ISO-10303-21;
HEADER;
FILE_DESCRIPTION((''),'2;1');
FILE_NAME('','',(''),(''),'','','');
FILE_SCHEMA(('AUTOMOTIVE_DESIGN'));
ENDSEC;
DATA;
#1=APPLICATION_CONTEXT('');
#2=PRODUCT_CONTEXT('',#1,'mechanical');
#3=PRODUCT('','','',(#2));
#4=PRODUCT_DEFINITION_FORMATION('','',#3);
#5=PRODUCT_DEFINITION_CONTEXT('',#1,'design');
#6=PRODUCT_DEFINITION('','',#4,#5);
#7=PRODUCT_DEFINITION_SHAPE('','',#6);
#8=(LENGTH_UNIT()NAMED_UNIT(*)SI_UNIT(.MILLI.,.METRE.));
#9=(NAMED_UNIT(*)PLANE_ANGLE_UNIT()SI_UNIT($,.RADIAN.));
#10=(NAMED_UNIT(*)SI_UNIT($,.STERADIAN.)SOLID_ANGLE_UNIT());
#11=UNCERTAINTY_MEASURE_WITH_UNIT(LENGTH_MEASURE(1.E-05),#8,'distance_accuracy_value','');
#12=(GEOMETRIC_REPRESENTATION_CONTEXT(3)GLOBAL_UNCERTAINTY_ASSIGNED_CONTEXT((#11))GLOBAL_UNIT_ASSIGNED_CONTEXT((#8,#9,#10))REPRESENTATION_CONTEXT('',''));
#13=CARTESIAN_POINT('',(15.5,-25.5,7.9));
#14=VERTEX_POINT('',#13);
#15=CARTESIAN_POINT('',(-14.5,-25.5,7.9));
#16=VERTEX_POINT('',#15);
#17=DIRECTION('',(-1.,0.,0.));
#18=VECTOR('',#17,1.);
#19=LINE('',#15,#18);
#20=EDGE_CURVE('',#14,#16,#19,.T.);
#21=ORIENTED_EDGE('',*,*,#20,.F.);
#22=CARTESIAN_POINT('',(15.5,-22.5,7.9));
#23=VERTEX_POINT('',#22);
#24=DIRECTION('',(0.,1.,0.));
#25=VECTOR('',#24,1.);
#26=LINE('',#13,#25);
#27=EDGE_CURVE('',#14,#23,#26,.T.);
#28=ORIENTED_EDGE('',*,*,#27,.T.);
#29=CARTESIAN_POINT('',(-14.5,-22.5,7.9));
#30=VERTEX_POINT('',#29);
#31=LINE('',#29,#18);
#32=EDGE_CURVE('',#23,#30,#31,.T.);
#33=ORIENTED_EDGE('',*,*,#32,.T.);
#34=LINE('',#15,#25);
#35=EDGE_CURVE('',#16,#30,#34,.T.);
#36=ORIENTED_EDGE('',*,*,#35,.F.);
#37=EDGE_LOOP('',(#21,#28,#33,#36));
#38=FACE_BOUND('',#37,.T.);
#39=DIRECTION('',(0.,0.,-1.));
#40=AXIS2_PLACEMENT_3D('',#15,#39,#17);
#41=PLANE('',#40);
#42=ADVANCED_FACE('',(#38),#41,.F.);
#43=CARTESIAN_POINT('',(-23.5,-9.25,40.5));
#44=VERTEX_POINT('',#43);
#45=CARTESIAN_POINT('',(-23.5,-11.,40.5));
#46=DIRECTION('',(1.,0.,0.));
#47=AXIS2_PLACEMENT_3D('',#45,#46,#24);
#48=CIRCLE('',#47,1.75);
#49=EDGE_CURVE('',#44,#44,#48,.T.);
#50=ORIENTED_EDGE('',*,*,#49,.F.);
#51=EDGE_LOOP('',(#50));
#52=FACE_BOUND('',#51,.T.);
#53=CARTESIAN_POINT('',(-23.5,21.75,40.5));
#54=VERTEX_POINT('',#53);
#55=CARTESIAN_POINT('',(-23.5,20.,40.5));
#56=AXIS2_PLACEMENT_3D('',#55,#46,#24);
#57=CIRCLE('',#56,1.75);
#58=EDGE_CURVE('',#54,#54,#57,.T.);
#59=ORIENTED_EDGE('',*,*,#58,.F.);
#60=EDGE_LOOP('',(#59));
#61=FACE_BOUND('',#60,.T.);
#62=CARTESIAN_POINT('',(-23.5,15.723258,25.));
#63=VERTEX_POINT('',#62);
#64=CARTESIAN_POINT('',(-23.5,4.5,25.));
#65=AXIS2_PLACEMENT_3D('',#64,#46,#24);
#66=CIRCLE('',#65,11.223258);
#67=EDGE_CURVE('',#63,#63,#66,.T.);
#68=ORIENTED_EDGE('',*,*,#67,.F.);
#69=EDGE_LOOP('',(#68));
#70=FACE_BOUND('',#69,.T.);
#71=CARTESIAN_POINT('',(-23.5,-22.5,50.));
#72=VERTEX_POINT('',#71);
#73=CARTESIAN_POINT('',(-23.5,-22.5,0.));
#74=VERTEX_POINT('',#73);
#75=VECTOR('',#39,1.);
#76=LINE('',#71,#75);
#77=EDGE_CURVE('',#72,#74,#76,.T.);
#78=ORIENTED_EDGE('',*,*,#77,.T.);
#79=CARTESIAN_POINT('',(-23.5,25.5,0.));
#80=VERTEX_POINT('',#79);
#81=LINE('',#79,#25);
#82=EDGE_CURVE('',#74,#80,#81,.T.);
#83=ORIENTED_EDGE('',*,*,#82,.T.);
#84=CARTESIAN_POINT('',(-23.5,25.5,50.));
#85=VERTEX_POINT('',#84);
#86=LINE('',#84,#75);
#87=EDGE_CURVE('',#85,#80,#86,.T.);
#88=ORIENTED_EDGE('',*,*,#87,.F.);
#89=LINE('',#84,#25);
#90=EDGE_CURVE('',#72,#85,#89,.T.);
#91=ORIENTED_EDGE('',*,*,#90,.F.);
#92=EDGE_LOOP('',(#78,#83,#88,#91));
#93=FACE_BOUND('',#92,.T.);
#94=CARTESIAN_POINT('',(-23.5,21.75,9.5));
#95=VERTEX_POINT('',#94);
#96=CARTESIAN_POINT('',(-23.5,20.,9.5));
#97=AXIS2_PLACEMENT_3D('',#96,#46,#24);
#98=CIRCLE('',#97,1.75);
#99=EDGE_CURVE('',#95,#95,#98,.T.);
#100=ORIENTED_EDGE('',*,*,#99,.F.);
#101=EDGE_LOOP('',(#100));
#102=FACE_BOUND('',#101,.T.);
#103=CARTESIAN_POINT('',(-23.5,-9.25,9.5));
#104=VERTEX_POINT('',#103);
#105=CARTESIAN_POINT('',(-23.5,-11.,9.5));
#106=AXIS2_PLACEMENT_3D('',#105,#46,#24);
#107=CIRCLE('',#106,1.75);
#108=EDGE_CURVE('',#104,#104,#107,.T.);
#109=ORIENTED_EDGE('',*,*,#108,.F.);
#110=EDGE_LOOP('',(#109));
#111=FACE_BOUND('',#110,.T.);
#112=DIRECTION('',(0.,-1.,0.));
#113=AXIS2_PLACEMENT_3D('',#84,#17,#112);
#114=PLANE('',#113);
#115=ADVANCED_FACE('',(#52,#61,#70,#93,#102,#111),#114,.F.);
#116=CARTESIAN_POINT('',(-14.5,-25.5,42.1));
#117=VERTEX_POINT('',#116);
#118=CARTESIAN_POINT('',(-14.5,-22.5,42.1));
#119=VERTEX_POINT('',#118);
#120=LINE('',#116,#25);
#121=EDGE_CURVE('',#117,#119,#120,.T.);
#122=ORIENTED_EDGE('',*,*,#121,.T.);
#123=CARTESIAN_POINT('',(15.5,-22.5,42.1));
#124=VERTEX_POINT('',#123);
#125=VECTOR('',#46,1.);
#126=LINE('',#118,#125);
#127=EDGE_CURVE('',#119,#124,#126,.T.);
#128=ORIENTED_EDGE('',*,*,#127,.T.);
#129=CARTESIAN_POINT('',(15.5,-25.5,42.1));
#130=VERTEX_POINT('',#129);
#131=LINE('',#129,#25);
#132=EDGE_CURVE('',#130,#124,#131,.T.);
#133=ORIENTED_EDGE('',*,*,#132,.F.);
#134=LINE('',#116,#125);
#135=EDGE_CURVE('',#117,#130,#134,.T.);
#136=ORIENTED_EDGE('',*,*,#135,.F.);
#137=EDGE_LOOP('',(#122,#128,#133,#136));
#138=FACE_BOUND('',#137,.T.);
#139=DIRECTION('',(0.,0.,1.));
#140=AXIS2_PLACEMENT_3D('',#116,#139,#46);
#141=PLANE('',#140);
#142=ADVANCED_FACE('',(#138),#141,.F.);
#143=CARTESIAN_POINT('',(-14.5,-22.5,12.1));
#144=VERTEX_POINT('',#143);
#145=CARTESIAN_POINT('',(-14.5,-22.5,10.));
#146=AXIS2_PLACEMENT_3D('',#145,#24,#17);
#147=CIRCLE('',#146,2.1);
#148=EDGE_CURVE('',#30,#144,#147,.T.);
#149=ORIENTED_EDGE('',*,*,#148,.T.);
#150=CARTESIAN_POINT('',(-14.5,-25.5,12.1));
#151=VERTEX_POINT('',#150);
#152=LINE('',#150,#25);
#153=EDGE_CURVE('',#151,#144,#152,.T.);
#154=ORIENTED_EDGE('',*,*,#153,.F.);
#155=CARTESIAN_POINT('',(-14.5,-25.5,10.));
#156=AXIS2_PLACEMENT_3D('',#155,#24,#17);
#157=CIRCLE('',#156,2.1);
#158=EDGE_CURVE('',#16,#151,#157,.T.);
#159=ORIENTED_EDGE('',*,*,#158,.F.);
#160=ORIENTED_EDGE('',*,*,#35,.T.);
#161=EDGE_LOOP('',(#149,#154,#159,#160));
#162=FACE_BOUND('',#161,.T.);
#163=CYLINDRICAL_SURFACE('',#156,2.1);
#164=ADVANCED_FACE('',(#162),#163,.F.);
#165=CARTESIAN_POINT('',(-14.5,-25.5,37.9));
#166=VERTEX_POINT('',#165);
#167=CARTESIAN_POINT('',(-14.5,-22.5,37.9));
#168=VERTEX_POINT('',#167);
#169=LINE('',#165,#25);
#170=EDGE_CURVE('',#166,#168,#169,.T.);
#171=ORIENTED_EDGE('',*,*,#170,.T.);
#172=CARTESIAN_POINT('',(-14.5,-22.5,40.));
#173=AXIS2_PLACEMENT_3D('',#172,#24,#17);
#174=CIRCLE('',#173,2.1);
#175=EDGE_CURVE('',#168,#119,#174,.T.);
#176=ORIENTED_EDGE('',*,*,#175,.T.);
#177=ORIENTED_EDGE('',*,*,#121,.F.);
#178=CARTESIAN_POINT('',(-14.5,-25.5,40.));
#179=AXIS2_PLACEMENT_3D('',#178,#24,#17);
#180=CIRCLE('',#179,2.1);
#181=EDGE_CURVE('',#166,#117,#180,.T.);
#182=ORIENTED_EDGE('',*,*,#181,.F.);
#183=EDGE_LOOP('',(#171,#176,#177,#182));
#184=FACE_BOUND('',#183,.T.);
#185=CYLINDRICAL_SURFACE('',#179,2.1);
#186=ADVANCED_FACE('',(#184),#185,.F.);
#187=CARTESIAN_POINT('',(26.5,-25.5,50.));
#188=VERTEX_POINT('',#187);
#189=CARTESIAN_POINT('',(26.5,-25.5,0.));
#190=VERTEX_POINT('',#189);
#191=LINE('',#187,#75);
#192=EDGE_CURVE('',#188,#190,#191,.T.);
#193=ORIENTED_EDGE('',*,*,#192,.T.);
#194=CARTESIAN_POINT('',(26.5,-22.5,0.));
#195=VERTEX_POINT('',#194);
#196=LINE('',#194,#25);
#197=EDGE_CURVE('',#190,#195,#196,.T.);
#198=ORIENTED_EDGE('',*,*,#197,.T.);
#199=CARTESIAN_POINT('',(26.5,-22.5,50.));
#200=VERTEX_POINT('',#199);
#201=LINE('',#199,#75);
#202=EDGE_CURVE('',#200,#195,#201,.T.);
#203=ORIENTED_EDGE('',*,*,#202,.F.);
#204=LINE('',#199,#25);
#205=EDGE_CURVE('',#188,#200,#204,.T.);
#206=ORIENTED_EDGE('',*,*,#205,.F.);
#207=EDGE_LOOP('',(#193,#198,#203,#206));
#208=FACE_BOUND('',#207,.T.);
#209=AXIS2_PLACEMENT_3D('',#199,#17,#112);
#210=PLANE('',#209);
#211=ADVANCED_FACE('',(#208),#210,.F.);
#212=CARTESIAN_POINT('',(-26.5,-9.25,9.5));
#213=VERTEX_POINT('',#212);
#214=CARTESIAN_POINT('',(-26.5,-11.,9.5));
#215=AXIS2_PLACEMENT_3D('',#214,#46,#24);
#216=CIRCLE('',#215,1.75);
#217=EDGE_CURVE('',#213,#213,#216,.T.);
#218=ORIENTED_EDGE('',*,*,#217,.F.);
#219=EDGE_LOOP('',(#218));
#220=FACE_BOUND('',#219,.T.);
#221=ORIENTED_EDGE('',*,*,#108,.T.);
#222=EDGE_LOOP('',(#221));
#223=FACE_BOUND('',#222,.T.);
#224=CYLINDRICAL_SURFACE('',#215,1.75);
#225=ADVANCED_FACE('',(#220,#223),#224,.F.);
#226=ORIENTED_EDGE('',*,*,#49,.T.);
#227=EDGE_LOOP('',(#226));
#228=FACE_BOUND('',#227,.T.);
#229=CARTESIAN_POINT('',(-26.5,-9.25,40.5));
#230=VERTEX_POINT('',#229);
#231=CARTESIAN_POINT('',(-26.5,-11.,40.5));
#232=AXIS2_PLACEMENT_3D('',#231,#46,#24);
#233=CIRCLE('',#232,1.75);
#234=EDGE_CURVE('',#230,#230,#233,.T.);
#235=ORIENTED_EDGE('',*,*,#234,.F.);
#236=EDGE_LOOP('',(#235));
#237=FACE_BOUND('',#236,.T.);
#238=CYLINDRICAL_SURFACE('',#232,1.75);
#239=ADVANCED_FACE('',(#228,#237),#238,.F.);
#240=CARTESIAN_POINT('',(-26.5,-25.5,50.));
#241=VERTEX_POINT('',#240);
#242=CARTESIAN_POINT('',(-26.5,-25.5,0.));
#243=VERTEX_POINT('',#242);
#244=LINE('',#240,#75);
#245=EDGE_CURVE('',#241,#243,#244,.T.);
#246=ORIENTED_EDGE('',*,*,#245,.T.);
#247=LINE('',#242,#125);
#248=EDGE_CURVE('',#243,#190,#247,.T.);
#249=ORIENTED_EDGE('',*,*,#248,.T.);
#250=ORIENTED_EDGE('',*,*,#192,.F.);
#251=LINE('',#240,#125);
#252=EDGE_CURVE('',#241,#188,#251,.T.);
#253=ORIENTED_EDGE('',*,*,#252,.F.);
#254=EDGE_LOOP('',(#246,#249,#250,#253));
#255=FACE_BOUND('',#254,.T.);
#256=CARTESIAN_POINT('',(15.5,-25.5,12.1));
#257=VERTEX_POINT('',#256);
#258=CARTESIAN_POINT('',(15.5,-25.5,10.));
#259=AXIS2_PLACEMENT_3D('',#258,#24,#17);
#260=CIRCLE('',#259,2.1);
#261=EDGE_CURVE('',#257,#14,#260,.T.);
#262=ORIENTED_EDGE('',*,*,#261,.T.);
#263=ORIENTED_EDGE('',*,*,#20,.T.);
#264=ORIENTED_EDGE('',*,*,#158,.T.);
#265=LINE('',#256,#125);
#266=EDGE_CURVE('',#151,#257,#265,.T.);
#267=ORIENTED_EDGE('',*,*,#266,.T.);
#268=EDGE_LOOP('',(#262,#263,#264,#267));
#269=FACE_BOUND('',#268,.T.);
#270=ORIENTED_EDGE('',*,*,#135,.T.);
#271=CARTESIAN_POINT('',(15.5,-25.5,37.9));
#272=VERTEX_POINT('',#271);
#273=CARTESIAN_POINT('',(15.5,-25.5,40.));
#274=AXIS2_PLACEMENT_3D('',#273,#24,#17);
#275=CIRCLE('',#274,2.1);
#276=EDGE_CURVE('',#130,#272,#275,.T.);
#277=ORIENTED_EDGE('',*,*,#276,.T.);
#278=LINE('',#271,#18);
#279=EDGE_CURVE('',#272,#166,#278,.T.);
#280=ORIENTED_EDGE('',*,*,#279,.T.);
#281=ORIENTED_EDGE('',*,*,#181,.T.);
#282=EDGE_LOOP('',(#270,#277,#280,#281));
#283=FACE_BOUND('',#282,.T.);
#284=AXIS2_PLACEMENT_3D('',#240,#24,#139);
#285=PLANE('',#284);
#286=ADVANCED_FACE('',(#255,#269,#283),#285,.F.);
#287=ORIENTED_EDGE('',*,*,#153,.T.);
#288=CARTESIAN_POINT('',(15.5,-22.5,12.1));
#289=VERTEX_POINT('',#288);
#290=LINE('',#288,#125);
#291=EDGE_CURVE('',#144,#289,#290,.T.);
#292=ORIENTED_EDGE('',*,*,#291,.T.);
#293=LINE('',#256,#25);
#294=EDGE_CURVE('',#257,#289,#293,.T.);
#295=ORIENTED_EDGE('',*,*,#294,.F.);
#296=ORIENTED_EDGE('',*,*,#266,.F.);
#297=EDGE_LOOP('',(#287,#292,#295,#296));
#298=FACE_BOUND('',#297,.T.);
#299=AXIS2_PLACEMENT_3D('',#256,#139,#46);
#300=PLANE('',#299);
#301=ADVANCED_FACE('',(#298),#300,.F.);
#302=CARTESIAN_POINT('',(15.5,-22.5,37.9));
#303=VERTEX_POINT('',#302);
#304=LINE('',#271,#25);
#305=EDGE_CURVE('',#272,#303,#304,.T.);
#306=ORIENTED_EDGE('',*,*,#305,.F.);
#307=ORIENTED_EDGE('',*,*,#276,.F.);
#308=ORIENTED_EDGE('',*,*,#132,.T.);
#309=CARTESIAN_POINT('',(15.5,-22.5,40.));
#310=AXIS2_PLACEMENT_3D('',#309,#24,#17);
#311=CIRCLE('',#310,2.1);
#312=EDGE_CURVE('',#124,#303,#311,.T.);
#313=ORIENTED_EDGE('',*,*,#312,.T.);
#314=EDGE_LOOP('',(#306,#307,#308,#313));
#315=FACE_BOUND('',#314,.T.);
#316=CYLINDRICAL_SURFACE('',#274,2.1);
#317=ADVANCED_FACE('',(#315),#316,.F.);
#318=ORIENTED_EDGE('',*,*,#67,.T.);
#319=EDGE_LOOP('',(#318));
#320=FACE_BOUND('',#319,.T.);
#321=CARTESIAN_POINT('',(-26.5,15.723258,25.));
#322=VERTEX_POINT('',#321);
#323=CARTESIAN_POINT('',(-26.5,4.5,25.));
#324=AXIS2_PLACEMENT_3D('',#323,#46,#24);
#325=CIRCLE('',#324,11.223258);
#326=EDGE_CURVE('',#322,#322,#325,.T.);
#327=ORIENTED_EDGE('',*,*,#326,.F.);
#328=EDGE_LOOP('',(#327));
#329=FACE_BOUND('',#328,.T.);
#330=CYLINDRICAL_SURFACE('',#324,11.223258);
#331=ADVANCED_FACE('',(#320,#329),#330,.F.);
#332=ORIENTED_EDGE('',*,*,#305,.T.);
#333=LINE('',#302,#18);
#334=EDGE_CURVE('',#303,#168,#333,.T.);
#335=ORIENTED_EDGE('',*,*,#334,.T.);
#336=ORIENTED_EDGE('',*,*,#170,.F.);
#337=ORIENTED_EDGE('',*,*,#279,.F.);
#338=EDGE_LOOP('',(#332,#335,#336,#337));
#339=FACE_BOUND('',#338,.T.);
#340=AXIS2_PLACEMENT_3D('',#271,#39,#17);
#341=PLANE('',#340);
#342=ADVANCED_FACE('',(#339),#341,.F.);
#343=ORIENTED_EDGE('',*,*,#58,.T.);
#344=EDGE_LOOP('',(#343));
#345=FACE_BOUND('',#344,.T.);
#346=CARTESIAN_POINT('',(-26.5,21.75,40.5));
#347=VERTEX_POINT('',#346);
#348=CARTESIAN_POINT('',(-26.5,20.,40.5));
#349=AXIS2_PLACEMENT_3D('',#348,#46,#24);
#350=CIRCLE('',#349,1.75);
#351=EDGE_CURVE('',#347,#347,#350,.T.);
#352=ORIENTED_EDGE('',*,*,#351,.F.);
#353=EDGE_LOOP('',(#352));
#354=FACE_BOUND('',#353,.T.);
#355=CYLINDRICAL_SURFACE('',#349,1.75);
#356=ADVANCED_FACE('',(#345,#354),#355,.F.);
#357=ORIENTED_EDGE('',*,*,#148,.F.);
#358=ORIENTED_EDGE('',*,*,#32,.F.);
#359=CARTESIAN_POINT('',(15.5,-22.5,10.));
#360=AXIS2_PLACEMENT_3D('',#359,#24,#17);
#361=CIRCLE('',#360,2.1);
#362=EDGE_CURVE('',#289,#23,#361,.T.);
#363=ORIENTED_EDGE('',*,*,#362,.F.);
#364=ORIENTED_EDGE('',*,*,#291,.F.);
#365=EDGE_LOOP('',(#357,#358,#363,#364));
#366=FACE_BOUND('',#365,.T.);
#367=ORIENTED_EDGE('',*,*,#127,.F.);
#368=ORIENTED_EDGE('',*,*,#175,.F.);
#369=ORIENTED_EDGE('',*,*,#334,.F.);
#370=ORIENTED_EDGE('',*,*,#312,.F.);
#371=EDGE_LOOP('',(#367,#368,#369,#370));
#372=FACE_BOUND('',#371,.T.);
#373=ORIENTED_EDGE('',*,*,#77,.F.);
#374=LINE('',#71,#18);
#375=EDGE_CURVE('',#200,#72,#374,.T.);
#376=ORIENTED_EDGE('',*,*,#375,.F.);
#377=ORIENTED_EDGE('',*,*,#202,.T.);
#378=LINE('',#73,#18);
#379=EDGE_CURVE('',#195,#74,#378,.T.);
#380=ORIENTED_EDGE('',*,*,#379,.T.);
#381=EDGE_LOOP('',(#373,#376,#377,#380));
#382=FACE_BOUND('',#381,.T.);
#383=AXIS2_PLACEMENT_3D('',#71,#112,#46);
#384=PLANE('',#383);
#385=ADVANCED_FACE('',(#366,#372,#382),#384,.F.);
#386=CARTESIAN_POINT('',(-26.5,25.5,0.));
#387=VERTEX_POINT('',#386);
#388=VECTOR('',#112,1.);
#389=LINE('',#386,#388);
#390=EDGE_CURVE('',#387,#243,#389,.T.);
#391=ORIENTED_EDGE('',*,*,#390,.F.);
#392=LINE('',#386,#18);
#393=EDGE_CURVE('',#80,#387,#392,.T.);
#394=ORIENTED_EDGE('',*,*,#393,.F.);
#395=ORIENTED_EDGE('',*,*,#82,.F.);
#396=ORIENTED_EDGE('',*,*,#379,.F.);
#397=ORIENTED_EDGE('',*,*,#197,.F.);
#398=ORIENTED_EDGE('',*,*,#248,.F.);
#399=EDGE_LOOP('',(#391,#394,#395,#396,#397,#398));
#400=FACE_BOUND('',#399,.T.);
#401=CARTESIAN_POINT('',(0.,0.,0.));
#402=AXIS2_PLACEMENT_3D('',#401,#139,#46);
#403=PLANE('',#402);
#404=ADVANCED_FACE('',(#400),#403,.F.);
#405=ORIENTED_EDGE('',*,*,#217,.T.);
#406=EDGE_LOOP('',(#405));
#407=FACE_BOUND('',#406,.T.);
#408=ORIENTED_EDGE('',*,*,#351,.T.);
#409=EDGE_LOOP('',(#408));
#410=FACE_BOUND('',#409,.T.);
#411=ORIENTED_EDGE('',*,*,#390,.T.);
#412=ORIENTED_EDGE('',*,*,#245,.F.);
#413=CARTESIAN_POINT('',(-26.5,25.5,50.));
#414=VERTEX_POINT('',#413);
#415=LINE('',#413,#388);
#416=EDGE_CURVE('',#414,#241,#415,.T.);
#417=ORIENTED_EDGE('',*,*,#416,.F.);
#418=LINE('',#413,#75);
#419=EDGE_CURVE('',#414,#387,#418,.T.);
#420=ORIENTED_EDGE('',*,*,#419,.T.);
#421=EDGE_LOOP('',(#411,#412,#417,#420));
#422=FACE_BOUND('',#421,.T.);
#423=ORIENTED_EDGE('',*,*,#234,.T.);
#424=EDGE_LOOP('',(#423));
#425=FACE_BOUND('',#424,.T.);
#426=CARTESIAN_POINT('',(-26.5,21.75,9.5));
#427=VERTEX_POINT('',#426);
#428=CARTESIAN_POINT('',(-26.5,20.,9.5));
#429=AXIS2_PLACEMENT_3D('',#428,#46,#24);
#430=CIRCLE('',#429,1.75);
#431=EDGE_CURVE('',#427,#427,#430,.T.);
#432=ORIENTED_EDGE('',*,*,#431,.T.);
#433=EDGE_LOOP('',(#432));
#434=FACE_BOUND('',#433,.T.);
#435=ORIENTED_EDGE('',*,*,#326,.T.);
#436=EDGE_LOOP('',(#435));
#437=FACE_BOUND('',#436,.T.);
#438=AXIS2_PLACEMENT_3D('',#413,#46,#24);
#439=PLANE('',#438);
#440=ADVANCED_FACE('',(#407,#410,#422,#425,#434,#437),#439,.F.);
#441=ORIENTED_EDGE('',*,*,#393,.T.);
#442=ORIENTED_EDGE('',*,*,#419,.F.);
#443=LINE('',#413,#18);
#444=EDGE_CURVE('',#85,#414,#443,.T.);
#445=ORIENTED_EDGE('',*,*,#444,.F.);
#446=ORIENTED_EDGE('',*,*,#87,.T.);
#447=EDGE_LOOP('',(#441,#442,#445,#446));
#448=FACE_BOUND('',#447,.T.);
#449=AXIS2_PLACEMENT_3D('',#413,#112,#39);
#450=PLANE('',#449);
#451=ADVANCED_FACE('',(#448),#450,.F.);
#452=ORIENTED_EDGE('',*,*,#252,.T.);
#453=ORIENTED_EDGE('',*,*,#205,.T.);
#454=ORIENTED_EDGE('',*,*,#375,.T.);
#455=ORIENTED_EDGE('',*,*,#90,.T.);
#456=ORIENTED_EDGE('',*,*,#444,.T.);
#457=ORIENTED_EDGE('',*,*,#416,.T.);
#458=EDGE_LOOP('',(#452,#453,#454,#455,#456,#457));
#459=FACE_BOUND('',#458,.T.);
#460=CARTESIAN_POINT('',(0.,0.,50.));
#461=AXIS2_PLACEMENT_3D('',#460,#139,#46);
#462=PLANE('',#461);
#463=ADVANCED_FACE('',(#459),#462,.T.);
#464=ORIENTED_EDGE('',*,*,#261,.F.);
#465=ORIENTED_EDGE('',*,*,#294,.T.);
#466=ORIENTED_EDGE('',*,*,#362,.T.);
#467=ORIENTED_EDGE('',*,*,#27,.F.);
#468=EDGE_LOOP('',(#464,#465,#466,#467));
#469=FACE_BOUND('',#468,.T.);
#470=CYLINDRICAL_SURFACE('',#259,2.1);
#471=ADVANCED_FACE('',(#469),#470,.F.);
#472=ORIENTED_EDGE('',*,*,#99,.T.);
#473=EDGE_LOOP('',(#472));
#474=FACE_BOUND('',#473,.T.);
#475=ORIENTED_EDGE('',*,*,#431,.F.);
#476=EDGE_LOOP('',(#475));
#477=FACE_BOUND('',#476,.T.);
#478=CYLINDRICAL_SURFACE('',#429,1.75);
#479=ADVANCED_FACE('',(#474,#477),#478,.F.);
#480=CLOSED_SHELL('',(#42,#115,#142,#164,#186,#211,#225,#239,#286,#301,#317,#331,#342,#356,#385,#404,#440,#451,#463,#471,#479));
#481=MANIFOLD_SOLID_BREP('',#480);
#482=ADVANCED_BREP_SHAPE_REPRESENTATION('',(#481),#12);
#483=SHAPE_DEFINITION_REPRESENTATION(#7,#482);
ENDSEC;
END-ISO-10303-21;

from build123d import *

# Parameters (mm, degrees)
EXTRUDE_1_DEPTH     = 50
SKETCH_3_R          = 11.223257521
SKETCH_3_R_2        = 1.75
CUT_EXTRUDE_1_DEPTH = 76.168144849
CUT_EXTRUDE_2_DEPTH = 75.204110398


with BuildPart() as part:
    # 草图2 → 凸台-拉伸1 (new body)
    with BuildSketch(Plane.XY):
        Polygon((-23.5, 25.5), (-23.5, -22.5), (26.5, -22.5), (26.5, -25.5), (-26.5, -25.5), (-26.5, 25.5), align=None)
    extrude(amount=EXTRUDE_1_DEPTH)

    # 草图3 → 切除-拉伸1 (cut, through all)
    with BuildSketch(Plane(origin=(-23.5, 0, 0), x_dir=(0, 0, -1), z_dir=(1, 0, 0))):
        with Locations(Location((-25, 4.5, 0), (0, 0, 90))):
            Circle(SKETCH_3_R)
        with Locations(Location((-40.5, 20, 0), (0, 0, 90))):
            Circle(SKETCH_3_R_2)
        with Locations(Location((-9.5, 20, 0), (0, 0, 90))):
            Circle(SKETCH_3_R_2)
        with Locations(Location((-9.5, -11, 0), (0, 0, 90))):
            Circle(SKETCH_3_R_2)
        with Locations(Location((-40.5, -11, 0), (0, 0, 90))):
            Circle(SKETCH_3_R_2)
    extrude(amount=-CUT_EXTRUDE_1_DEPTH, mode=Mode.SUBTRACT)

    # 草图4 → 切除-拉伸2 (cut, through all)
    with BuildSketch(Plane(origin=(0, -22.5, 0), x_dir=(1, 0, 0), z_dir=(0, 1, 0))):
        with BuildLine():
            Line((-14.5, -7.9), (15.5, -7.9))
            ThreePointArc((15.5, -7.9), (17.6, -10), (15.5, -12.1))
            Line((15.5, -12.1), (-14.5, -12.1))
            ThreePointArc((-14.5, -12.1), (-16.6, -10), (-14.5, -7.9))
        make_face()
        with BuildLine():
            Line((15.5, -37.9), (-14.5, -37.9))
            ThreePointArc((-14.5, -37.9), (-16.6, -40), (-14.5, -42.1))
            Line((-14.5, -42.1), (15.5, -42.1))
            ThreePointArc((15.5, -42.1), (17.6, -40), (15.5, -37.9))
        make_face()
    extrude(amount=-CUT_EXTRUDE_2_DEPTH, mode=Mode.SUBTRACT)


solid = part.part
